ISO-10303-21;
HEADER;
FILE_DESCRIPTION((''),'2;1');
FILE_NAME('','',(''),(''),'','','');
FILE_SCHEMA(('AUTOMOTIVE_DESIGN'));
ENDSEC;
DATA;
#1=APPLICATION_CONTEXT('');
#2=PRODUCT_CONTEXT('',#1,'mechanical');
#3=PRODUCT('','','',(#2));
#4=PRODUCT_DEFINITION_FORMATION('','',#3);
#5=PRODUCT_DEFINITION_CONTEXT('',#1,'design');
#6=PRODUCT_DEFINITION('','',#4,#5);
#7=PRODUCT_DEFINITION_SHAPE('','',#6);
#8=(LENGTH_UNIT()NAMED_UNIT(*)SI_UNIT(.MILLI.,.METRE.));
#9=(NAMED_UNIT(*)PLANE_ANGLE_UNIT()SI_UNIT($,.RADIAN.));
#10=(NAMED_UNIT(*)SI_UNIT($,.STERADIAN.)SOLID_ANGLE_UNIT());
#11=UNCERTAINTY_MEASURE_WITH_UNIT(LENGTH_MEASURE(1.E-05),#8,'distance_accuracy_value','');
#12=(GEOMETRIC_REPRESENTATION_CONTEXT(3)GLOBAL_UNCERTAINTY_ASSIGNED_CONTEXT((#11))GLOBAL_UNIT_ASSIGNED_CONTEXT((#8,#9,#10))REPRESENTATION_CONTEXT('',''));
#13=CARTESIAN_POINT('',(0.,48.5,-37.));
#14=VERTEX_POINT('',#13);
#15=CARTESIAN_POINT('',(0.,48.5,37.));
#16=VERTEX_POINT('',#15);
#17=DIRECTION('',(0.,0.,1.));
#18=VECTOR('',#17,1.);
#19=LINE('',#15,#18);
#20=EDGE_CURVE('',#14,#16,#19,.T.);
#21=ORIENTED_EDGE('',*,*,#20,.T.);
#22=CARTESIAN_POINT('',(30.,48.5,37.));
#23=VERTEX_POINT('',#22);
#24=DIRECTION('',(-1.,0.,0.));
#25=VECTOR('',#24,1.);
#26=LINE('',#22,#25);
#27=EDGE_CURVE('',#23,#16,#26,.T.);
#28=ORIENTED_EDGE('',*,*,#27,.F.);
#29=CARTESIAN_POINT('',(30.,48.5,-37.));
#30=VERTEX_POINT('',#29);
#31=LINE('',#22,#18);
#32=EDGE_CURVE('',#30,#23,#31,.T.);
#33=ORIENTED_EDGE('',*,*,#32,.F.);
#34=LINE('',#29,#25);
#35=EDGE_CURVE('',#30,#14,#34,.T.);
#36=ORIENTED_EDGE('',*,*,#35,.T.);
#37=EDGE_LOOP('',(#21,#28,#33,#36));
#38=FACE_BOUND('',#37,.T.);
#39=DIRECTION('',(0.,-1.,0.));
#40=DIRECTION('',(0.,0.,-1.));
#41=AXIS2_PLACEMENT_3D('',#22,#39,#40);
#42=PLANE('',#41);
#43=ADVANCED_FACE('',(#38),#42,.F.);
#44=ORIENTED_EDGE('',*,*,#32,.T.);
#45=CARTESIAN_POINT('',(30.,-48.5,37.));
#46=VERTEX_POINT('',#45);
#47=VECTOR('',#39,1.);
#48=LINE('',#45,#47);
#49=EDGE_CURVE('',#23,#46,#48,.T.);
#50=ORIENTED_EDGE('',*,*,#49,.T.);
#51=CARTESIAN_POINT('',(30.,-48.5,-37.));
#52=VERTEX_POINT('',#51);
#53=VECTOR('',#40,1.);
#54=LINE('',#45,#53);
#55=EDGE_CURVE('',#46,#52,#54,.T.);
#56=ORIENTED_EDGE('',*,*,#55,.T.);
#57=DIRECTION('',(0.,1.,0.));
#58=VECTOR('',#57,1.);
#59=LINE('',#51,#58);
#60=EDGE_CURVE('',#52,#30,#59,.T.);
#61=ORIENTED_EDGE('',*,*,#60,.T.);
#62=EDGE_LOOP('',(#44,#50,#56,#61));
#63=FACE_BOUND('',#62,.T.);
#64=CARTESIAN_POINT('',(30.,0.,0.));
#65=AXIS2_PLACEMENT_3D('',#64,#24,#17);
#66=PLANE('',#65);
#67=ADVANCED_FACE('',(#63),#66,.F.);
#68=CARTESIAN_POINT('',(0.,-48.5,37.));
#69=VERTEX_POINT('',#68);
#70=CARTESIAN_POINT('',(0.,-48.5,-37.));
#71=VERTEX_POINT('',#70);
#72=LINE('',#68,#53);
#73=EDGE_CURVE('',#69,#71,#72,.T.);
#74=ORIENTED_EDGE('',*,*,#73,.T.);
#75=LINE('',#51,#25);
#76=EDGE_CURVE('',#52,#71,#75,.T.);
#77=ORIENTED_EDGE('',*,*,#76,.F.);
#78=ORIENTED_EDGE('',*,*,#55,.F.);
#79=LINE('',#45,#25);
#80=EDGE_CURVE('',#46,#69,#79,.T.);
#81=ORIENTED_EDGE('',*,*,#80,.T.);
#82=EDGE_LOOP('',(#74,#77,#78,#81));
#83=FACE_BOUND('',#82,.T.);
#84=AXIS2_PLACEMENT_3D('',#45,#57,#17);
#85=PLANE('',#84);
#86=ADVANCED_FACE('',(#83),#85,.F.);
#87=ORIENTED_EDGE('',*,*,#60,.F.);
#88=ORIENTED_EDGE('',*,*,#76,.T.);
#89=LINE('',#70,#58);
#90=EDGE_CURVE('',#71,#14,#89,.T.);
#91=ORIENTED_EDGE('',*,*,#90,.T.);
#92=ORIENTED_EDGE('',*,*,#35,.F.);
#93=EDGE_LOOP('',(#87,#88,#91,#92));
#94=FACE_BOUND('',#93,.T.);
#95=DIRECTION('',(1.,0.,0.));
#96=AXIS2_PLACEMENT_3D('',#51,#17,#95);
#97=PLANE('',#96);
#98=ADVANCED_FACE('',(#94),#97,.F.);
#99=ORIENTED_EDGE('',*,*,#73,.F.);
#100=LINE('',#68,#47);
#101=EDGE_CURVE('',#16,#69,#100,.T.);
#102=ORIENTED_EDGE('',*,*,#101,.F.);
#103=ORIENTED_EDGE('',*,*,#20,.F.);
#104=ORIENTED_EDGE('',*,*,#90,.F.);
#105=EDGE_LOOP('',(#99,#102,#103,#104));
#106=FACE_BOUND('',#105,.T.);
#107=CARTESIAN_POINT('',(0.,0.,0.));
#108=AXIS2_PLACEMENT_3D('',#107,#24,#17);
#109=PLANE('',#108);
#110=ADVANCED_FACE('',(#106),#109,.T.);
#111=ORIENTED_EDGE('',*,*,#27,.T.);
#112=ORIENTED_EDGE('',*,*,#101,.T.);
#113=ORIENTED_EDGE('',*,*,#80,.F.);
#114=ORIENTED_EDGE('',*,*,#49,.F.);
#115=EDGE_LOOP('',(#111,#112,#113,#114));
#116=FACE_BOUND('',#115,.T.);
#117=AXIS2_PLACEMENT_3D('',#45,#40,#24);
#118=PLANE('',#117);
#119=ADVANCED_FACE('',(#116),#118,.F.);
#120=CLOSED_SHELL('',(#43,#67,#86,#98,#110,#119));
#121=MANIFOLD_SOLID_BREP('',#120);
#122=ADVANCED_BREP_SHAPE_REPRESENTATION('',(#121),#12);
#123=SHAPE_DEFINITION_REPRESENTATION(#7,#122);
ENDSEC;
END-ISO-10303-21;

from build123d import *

# Parameters (mm, degrees)
ESQUISSE1_W        = 74
ESQUISSE1_H        = 97
BOSS_EXTRU_1_DEPTH = 30


with BuildPart() as part:
    # Esquisse1 → Boss.-Extru.1 (new body)
    with BuildSketch(Plane(origin=(0, 0, 0), x_dir=(0, 0, -1), z_dir=(1, 0, 0))):
        Rectangle(ESQUISSE1_W, ESQUISSE1_H)
    extrude(amount=BOSS_EXTRU_1_DEPTH)


solid = part.part
